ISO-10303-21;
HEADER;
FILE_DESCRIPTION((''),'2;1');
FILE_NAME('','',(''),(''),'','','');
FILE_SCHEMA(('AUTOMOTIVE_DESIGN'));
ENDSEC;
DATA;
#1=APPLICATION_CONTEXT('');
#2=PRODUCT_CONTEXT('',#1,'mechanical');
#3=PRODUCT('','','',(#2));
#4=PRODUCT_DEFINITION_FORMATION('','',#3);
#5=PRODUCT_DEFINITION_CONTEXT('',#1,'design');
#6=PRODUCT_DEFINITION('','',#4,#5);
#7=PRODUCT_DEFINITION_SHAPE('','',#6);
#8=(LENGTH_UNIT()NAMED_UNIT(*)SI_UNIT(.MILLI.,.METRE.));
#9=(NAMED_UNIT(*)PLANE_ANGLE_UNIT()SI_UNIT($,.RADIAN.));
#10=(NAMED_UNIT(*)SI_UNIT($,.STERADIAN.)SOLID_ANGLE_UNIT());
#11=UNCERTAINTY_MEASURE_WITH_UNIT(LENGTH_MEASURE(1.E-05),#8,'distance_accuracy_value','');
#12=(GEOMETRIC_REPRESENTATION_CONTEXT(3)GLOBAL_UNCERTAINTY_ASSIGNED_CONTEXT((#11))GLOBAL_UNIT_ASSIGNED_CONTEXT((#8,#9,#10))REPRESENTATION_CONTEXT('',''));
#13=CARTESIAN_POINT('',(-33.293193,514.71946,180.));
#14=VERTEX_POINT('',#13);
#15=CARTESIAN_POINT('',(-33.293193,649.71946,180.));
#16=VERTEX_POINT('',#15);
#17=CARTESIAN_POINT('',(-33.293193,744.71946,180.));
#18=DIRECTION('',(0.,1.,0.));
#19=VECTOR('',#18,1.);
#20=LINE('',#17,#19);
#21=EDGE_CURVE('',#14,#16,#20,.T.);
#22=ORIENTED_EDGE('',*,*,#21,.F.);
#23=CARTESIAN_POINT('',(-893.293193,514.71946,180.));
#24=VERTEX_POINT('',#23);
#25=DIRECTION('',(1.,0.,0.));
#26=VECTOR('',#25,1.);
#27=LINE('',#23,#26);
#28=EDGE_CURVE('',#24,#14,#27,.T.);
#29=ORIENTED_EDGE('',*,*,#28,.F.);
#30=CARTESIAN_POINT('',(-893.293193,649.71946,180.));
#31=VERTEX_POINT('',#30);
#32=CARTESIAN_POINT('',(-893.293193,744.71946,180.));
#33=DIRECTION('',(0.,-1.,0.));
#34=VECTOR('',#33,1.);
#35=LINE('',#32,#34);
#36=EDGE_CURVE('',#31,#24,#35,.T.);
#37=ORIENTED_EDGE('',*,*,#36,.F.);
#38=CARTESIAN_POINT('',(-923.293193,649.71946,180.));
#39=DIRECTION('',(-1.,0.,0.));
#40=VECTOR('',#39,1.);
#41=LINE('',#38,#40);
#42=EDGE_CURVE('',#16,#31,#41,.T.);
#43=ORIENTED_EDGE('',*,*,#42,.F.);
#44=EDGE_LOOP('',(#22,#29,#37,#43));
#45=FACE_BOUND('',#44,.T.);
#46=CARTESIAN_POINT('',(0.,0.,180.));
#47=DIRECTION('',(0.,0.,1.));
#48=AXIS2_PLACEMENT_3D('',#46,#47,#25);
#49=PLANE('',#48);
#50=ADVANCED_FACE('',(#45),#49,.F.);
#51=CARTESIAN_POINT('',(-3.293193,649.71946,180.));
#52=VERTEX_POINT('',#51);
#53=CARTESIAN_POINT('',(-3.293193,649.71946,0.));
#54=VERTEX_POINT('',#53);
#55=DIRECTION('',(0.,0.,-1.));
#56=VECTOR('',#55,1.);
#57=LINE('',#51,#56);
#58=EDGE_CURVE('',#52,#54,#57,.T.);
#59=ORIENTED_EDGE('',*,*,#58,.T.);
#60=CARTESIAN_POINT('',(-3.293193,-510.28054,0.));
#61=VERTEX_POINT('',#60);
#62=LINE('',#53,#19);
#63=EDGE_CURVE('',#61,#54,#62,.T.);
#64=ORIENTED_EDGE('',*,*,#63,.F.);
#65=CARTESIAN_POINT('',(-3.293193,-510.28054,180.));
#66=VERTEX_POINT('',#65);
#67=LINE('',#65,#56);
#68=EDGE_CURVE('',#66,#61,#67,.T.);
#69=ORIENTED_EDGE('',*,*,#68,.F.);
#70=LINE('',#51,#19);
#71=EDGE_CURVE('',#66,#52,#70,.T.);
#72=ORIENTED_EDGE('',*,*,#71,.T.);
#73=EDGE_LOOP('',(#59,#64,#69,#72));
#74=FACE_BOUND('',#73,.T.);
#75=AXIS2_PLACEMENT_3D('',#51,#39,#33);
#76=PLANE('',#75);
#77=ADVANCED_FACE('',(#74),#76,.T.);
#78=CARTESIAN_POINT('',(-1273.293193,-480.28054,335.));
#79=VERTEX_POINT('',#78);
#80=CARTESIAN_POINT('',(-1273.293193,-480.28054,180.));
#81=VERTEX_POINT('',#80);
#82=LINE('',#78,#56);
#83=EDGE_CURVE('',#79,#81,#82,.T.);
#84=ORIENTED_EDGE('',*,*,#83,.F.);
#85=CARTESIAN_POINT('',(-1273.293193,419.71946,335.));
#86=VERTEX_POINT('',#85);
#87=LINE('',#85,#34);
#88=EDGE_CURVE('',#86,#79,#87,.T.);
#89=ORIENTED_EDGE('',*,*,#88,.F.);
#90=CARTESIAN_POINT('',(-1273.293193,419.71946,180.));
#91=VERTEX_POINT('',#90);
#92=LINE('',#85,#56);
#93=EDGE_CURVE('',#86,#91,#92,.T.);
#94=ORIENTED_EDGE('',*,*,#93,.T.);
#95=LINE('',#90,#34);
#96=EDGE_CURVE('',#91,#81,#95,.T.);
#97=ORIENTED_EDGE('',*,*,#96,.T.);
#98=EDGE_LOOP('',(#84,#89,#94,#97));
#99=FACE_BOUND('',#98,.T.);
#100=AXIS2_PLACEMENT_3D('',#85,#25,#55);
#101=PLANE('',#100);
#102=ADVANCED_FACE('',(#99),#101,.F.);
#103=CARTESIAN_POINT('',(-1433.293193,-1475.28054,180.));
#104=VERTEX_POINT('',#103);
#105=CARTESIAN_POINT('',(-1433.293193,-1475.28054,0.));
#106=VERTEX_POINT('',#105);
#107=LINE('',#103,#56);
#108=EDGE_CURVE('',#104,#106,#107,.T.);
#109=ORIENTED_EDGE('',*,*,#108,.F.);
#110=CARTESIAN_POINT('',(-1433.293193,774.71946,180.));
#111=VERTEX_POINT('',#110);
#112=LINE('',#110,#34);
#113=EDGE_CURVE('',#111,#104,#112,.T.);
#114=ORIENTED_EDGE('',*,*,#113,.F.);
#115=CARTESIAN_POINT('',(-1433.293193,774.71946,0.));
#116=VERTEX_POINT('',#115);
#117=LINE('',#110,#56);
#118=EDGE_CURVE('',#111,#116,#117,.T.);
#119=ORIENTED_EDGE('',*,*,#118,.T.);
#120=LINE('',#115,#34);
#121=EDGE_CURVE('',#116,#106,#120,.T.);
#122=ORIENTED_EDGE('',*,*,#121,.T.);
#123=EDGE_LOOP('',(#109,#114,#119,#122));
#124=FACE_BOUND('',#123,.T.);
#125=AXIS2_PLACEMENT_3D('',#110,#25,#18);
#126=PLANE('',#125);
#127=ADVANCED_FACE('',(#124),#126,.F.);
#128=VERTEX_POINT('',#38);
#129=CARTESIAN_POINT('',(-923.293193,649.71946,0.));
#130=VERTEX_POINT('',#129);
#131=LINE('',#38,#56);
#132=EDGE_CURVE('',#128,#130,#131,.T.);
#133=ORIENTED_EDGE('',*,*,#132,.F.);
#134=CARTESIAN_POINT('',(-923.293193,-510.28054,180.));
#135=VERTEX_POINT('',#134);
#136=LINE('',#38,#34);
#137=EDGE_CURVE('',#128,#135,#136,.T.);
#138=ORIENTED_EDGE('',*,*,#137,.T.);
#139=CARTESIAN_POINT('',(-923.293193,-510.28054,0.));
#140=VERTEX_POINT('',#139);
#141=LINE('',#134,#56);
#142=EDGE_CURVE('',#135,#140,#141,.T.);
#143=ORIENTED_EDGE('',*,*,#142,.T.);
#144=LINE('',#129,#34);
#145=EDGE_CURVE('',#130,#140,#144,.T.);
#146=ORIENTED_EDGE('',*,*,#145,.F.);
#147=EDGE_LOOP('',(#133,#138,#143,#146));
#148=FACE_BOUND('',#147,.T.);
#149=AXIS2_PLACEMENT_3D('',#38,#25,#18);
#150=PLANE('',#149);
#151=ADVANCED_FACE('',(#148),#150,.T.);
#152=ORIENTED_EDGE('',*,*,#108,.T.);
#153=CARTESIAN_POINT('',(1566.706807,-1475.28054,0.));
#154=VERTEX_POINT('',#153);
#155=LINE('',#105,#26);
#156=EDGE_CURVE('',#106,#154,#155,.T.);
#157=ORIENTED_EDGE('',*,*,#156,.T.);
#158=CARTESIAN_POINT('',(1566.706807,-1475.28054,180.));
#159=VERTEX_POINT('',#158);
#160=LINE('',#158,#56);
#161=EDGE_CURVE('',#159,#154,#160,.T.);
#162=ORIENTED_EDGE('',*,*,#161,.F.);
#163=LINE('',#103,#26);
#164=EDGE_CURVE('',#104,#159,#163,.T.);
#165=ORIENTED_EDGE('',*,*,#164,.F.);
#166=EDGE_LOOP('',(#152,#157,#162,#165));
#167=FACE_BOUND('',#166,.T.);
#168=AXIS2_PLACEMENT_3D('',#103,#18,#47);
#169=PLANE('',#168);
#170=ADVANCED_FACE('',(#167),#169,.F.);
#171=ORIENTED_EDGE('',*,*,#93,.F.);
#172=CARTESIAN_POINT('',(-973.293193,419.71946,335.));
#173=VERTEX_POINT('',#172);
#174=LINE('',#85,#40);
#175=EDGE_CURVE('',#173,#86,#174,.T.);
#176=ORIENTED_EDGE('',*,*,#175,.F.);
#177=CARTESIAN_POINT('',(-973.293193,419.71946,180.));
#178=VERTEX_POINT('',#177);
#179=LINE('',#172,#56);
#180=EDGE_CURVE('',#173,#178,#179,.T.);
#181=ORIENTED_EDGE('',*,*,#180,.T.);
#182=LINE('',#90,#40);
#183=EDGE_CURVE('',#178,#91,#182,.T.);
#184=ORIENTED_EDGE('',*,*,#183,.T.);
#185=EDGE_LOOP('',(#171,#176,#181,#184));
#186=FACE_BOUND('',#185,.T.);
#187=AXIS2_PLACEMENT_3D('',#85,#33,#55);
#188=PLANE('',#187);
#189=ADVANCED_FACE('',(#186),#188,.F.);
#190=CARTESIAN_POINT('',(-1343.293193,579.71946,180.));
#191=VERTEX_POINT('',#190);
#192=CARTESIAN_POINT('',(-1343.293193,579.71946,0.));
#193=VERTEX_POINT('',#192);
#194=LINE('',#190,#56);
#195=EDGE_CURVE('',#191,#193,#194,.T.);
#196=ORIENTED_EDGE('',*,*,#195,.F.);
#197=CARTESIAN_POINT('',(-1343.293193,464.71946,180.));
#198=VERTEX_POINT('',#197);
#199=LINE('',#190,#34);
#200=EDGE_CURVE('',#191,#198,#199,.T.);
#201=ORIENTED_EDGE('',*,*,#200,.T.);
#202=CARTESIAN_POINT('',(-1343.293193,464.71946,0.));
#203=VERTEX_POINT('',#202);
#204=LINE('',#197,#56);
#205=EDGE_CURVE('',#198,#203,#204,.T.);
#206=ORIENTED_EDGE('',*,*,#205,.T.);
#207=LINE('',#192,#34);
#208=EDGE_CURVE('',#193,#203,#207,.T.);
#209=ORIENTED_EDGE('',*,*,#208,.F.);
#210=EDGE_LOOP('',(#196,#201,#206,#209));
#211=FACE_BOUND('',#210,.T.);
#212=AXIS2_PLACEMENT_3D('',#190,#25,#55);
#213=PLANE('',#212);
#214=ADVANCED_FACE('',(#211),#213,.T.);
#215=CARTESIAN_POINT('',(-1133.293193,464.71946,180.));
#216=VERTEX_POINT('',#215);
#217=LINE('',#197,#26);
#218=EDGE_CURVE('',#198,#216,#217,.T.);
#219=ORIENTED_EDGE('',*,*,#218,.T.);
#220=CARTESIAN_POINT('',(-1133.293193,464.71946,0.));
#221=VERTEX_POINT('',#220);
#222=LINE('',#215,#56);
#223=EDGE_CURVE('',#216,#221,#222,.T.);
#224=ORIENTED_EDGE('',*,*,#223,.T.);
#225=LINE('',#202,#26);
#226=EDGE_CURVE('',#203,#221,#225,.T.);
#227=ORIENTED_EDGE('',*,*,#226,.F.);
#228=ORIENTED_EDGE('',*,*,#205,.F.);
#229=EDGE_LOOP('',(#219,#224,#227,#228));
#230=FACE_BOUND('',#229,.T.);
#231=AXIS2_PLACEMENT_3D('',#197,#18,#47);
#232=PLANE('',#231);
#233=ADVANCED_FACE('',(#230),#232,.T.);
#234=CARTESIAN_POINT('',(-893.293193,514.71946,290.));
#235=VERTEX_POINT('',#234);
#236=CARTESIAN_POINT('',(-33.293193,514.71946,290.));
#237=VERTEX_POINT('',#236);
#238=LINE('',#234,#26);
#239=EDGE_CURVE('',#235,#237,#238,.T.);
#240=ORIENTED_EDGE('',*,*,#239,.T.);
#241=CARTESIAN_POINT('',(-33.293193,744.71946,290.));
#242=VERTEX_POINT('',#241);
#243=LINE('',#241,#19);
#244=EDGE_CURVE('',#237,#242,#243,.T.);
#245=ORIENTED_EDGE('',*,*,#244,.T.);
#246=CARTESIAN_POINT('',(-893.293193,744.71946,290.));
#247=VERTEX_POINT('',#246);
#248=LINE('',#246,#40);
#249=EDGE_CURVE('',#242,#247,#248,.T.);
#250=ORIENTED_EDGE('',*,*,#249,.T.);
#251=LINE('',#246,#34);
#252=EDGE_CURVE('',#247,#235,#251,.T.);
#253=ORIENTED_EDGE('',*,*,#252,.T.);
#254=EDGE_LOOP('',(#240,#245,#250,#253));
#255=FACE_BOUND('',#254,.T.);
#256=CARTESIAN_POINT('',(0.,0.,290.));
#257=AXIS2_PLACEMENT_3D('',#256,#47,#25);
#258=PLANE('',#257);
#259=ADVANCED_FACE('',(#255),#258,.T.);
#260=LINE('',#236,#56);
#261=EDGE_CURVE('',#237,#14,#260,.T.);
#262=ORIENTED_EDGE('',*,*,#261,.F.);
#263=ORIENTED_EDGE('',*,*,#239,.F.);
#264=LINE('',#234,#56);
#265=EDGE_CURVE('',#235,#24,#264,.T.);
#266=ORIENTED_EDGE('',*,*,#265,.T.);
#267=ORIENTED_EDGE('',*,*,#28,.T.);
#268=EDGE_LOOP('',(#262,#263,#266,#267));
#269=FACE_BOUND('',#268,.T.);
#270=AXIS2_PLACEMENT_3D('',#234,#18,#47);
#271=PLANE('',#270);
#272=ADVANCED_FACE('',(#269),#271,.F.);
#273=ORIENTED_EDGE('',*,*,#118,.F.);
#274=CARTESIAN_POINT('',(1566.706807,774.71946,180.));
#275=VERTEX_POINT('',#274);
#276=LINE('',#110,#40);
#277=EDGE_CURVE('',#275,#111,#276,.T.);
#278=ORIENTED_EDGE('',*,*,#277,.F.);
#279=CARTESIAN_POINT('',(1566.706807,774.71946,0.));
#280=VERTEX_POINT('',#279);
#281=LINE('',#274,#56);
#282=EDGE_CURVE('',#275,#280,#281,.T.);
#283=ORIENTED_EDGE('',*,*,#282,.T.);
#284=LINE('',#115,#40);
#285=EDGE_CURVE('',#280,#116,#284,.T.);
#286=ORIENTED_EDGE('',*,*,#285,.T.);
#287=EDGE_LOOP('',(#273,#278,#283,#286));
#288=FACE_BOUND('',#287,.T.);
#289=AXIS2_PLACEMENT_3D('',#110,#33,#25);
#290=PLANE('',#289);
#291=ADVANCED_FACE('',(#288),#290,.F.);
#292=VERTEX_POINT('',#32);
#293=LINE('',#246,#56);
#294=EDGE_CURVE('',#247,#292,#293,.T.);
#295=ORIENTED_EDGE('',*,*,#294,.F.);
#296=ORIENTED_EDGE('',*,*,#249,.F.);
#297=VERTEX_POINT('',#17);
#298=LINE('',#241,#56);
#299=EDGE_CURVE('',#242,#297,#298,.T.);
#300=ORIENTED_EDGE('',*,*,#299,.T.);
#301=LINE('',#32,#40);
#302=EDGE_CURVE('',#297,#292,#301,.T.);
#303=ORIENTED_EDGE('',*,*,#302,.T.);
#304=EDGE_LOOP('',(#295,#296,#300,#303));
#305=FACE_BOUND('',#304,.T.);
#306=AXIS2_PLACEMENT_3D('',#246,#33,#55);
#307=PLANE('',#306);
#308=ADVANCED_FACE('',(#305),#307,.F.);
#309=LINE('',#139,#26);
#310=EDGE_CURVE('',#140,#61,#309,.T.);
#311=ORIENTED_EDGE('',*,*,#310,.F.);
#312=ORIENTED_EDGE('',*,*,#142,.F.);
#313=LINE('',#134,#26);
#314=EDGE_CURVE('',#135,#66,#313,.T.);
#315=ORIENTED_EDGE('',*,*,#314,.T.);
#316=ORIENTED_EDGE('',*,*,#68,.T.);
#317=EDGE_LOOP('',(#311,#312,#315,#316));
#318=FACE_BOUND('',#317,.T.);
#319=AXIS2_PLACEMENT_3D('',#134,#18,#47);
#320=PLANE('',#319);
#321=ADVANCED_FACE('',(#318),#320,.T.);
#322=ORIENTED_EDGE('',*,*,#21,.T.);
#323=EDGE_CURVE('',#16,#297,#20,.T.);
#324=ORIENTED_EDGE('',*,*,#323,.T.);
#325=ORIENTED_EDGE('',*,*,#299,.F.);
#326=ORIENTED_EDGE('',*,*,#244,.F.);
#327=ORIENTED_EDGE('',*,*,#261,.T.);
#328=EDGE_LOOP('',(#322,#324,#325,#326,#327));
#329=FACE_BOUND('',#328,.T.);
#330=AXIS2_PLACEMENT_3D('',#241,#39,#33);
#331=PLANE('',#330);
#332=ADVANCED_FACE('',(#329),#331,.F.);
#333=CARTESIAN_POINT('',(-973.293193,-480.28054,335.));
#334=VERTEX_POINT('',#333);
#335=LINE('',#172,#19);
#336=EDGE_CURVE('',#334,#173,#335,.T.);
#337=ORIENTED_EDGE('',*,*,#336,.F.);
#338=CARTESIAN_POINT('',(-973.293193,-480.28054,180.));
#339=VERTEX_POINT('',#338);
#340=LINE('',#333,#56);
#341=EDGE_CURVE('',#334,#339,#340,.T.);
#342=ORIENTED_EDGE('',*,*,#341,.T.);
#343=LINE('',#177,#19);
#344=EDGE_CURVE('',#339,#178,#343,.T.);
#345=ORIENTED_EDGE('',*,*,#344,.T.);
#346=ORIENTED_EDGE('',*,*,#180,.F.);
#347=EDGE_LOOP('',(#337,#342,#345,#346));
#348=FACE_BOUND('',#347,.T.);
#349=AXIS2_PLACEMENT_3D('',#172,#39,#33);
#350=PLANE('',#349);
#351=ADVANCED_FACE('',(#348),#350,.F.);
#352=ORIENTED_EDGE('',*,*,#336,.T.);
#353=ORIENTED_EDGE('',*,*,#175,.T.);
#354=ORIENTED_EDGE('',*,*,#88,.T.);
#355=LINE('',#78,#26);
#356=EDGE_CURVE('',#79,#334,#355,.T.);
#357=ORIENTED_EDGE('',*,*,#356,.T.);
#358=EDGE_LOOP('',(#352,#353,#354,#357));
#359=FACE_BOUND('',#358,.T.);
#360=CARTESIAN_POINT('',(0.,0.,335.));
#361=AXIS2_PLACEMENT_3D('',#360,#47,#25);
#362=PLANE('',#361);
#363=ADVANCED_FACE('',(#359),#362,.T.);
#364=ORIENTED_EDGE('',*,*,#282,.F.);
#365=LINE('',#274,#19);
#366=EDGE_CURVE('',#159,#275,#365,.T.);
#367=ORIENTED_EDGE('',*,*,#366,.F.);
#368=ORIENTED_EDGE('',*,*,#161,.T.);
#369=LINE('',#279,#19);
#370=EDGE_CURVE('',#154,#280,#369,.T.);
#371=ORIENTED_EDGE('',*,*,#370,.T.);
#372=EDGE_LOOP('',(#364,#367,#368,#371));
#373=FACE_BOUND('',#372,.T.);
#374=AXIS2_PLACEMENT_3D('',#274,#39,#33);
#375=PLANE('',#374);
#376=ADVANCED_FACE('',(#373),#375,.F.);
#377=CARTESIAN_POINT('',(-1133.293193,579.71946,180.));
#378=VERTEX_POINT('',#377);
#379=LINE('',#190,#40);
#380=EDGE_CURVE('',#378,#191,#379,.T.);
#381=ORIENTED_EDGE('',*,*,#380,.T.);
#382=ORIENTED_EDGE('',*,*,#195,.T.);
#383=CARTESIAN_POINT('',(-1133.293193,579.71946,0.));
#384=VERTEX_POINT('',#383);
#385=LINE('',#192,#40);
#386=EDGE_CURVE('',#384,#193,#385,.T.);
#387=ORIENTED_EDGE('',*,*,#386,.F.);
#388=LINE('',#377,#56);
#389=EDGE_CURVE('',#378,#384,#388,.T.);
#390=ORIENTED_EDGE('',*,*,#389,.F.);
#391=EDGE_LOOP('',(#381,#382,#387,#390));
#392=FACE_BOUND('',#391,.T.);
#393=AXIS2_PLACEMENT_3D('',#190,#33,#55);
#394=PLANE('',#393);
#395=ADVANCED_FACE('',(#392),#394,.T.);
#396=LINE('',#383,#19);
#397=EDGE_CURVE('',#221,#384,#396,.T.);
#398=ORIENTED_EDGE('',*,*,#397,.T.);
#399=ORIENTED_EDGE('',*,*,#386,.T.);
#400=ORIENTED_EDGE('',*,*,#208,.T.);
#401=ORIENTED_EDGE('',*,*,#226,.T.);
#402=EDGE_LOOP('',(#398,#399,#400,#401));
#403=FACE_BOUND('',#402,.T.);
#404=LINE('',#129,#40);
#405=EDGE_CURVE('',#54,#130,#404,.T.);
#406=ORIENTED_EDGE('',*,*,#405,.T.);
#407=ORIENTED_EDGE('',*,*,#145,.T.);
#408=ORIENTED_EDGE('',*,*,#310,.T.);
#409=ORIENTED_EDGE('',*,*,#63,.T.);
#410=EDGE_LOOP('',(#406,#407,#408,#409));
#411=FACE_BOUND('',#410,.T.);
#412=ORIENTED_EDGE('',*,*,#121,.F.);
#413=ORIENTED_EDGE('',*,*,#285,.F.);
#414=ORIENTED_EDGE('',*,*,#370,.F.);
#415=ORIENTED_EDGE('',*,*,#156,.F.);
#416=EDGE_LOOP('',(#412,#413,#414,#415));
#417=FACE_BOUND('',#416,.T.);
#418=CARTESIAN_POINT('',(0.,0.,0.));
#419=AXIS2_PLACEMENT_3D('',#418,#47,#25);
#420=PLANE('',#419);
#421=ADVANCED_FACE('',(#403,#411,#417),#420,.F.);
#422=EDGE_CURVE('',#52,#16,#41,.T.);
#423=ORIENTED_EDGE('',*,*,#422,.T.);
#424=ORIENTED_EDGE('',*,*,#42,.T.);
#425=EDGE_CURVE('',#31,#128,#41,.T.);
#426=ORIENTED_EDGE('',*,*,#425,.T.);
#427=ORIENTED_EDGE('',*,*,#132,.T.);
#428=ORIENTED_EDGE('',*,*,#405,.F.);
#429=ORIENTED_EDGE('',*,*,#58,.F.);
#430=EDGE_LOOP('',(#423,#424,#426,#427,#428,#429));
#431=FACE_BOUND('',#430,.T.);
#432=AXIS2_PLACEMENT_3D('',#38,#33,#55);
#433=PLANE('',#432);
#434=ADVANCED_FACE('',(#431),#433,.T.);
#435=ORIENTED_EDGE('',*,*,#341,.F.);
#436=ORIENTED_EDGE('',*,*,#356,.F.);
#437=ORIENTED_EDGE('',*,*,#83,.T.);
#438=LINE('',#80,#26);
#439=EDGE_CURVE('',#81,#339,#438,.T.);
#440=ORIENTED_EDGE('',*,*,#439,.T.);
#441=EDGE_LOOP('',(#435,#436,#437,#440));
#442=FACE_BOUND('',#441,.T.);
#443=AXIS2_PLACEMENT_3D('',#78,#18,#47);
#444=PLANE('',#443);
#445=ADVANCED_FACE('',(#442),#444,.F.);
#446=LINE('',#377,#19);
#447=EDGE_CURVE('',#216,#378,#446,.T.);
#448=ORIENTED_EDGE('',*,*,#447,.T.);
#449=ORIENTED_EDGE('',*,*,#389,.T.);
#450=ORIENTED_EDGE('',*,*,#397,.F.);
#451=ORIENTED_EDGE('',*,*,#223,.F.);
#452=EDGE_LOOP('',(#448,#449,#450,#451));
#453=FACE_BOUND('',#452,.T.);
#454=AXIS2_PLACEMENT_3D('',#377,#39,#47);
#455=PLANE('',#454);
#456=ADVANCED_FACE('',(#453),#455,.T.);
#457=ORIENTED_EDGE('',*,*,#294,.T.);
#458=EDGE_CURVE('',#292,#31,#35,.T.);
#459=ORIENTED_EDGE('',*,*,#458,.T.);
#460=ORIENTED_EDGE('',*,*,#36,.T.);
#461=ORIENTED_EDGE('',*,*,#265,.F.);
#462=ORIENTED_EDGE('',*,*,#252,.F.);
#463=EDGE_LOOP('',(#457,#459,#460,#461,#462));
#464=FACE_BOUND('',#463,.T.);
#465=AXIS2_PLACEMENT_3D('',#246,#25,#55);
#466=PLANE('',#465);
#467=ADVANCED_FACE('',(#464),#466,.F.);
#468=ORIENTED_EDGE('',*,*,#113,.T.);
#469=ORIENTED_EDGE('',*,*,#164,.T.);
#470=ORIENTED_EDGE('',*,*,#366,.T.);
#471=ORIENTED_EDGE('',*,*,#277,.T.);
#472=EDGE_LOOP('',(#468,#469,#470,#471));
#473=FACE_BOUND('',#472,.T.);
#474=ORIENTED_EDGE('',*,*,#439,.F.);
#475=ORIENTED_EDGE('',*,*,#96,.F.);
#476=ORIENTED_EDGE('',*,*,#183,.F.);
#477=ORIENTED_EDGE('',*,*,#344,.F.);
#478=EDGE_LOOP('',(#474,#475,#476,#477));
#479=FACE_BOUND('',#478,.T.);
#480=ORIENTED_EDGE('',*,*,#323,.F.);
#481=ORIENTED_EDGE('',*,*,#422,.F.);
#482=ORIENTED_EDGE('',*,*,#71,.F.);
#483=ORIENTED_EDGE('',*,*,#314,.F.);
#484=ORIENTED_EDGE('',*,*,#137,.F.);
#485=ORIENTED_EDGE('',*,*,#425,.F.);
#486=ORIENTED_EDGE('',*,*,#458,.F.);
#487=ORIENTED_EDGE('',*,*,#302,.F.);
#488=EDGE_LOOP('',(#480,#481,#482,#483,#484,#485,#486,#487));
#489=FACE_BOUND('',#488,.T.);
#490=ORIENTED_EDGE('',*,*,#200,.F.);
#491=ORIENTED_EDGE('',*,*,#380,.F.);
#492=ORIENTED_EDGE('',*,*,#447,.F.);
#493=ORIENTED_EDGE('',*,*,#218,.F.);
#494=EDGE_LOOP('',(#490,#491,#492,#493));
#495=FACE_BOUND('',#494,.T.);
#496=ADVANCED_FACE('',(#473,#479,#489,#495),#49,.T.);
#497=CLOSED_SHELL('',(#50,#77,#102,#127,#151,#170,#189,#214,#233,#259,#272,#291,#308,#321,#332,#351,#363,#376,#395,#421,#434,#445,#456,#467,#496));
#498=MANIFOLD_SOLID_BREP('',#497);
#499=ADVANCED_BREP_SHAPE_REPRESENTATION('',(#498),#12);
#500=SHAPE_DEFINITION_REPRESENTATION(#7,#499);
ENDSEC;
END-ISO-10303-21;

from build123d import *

# Parameters (mm, degrees)
SKETCH1_W           = 3000
SKETCH1_H           = 2250
SKETCH1_W_2         = 210
SKETCH1_H_2         = 115
SKETCH1_W_3         = 920
SKETCH1_H_3         = 1160
BOSS_EXTRUDE1_DEPTH = 180
SKETCH2_W           = 300
SKETCH2_H           = 900
BOSS_EXTRUDE2_DEPTH = 155
SKETCH3_W           = 860
SKETCH3_H           = 230
BOSS_EXTRUDE3_DEPTH = 110


with BuildPart() as part:
    # Sketch1 → Boss-Extrude1 (new body)
    with BuildSketch(Plane.XY):
        with Locations((66.706806947, -350.280539566)):
            Rectangle(SKETCH1_W, SKETCH1_H)
        with Locations((-1238.293193053, 522.219460434)):
            Rectangle(SKETCH1_W_2, SKETCH1_H_2, mode=Mode.SUBTRACT)
        with Locations((-463.293193053, 69.719460434)):
            Rectangle(SKETCH1_W_3, SKETCH1_H_3, mode=Mode.SUBTRACT)
    extrude(amount=BOSS_EXTRUDE1_DEPTH)

    # Sketch2 → Boss-Extrude2 (add)
    with BuildSketch(Plane.XY.offset(180)):
        with Locations((-1123.293193053, -30.280539566)):
            Rectangle(SKETCH2_W, SKETCH2_H)
    extrude(amount=BOSS_EXTRUDE2_DEPTH)

    # Sketch3 → Boss-Extrude3 (add)
    with BuildSketch(Plane.XY.offset(180)):
        with Locations((-463.293193053, 629.719460434)):
            Rectangle(SKETCH3_W, SKETCH3_H)
    extrude(amount=BOSS_EXTRUDE3_DEPTH)


solid = part.part
